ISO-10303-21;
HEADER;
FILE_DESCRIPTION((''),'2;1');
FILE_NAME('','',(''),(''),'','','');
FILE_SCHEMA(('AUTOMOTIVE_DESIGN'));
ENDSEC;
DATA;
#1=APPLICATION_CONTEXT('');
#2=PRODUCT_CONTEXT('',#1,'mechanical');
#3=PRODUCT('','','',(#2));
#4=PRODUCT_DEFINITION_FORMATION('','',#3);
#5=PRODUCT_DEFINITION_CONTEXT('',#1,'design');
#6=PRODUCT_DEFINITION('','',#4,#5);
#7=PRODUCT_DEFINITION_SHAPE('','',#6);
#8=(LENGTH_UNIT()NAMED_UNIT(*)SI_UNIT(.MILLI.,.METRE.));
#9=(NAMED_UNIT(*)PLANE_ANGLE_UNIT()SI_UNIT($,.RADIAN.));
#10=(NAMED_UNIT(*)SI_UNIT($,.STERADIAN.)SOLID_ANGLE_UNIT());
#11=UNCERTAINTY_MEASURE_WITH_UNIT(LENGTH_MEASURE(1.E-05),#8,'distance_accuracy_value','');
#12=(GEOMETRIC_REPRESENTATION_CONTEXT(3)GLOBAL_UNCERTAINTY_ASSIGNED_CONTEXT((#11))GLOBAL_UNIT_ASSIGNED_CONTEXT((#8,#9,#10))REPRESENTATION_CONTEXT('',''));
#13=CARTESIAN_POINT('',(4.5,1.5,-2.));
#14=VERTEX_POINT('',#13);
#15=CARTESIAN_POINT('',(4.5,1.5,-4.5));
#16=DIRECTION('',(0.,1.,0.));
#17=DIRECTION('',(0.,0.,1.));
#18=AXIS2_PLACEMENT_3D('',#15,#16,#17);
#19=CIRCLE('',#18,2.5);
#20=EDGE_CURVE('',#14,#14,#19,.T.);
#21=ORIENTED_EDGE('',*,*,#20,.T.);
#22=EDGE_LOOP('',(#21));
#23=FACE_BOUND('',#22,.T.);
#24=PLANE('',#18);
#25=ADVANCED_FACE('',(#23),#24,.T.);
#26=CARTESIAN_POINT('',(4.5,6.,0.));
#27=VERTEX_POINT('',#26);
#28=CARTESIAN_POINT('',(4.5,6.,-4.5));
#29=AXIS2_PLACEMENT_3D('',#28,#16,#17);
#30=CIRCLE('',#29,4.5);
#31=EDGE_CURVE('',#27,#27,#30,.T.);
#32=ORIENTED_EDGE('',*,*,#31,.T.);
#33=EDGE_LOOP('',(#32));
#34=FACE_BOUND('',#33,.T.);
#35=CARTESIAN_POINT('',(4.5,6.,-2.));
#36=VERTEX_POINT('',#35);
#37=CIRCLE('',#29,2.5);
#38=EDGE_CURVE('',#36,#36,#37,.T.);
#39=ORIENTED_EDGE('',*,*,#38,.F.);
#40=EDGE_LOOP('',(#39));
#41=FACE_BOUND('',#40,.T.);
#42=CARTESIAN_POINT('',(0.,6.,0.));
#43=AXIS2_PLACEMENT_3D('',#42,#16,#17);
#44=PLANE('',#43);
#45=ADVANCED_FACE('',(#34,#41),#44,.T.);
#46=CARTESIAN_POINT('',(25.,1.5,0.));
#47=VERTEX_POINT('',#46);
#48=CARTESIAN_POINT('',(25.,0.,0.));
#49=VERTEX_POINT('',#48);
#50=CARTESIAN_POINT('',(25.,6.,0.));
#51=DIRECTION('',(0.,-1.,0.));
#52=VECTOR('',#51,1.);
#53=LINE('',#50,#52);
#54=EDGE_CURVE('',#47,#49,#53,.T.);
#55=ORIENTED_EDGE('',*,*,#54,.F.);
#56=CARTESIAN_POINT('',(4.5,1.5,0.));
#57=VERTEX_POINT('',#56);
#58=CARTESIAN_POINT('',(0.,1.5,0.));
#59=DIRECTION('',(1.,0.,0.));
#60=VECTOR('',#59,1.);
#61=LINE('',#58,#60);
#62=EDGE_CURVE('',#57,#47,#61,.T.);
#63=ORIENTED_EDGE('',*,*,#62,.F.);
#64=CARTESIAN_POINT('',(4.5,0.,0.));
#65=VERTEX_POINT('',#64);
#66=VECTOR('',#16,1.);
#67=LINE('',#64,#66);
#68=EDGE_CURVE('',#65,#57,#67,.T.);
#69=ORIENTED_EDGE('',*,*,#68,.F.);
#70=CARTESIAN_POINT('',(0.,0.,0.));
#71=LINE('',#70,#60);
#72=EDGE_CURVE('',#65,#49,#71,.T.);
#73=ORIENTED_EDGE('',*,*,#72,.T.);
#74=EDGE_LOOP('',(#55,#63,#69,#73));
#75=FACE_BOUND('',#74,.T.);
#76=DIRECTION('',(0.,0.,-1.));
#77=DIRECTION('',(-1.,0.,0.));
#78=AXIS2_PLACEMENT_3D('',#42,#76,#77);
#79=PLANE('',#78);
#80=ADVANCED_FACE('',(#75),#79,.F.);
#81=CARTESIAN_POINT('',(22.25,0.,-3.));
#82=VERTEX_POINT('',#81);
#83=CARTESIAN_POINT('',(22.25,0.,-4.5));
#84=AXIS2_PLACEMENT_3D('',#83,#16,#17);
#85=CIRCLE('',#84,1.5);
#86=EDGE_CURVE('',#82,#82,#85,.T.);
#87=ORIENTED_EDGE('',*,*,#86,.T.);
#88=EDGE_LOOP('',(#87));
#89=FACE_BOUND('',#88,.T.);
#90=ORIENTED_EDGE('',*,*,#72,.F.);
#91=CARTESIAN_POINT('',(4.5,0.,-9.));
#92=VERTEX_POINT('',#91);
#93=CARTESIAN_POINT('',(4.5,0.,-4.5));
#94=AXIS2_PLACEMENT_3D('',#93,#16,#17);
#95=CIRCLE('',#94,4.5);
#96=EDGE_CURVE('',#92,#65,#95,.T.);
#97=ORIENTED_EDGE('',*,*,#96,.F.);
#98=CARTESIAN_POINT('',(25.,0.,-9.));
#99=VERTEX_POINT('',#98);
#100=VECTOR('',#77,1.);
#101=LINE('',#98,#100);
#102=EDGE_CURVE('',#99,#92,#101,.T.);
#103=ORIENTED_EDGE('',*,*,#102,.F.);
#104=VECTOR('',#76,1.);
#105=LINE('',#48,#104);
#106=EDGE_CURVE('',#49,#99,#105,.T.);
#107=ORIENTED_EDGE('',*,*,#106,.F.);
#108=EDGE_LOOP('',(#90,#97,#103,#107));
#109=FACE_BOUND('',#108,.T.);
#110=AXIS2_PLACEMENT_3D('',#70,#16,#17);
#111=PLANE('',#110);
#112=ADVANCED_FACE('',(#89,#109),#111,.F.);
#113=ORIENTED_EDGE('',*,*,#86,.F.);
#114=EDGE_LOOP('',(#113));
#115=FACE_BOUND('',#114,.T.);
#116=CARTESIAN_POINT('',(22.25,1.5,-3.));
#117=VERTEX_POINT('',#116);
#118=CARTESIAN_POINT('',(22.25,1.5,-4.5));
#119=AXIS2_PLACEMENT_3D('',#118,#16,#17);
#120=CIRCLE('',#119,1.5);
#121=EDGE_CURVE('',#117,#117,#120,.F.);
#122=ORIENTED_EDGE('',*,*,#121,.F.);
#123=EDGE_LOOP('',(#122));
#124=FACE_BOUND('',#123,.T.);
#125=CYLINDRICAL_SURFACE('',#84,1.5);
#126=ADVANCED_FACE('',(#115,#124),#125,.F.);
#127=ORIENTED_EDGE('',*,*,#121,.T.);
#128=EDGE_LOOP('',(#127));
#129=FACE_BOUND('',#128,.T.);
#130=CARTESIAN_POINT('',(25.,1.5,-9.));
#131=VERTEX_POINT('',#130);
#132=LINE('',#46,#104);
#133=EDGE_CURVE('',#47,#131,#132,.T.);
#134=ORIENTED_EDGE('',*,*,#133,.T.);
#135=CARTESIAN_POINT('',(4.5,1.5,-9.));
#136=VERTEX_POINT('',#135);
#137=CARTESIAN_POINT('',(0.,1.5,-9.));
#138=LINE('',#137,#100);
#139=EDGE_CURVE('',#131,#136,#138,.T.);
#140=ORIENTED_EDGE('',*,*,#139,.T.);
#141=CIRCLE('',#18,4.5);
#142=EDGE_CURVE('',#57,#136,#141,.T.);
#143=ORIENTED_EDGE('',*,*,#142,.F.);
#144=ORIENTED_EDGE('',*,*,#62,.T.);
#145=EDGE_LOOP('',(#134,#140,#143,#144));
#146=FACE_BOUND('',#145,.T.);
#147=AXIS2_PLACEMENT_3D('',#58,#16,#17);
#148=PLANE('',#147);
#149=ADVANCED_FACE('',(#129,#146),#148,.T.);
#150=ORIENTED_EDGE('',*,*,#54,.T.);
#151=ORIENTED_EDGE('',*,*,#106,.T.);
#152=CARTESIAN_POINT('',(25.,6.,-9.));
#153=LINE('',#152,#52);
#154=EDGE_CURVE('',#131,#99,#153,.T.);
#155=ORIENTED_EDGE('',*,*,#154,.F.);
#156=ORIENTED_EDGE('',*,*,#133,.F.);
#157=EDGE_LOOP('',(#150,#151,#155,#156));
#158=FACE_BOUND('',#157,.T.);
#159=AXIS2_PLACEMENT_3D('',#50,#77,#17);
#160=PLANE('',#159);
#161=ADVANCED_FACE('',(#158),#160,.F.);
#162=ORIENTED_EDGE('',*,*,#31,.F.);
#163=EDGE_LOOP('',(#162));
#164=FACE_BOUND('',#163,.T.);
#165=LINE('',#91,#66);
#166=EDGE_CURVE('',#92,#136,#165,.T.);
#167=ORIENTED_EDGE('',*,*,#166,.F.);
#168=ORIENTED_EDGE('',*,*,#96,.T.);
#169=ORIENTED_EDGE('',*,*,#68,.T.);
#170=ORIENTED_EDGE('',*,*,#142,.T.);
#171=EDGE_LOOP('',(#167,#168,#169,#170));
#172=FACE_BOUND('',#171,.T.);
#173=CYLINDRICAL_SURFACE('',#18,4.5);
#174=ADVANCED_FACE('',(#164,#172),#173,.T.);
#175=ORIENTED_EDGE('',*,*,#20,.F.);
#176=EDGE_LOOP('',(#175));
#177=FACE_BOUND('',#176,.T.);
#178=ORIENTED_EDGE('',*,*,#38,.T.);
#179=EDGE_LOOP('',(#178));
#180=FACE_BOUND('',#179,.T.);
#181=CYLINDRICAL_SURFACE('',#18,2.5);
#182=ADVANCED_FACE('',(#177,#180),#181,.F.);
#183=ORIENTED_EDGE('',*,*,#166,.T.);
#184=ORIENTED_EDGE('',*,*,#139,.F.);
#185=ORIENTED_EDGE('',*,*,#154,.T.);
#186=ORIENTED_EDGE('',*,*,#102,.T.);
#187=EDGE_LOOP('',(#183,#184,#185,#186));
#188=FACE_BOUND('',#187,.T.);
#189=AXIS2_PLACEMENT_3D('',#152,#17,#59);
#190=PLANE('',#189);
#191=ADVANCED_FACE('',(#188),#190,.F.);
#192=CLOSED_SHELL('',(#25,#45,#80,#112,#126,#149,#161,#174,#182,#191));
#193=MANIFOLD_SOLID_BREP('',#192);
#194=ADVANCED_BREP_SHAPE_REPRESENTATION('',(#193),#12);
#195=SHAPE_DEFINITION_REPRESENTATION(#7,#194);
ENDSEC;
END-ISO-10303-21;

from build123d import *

# Parameters (mm, degrees)
SKETCH2_W               = 25
SKETCH2_H               = 9
BOSS_EXTRUDE3_DEPTH     = 6
SKETCH3_R               = 2.5
CUT_EXTRUDE1_DEPTH      = 4.5
CUT_EXTRUDE2_DEPTH      = 28.239676944
CUT_EXTRUDE2_DEPTH_BACK = 28.239676944
SKETCH4_R               = 1.5
SKETCH5_R               = 1.5
CUT_EXTRUDE3_DEPTH      = 4.5
CUT_EXTRUDE4_DEPTH      = 28.239676944


with BuildPart() as part:
    # Sketch2 → Boss-Extrude3 (new body)
    with BuildSketch(Plane(origin=(0, 0, 0), x_dir=(1, 0, 0), z_dir=(0, 1, 0))):
        with Locations((12.5, 4.5)):
            Rectangle(SKETCH2_W, SKETCH2_H)
    extrude(amount=BOSS_EXTRUDE3_DEPTH)

    # Sketch3 → Cut-Extrude1 (cut)
    with BuildSketch(Plane(origin=(0, 6, 0), x_dir=(1, 0, 0), z_dir=(0, 1, 0))):
        with Locations(Location((4.5, 4.5, 0), (0, 0, 270))):
            Circle(SKETCH3_R)
    extrude(amount=-CUT_EXTRUDE1_DEPTH, mode=Mode.SUBTRACT)

    # Sketch4 → Cut-Extrude2 (cut, two sides: drawn at the far end of the back side and taken through both)
    with BuildSketch(Plane(origin=(0, 6, 0), x_dir=(1, 0, 0), z_dir=(0, 1, 0)).offset(-CUT_EXTRUDE2_DEPTH_BACK)):
        with Locations(Location((22.25, 4.5, 0), (0, 0, 270))):
            Circle(SKETCH4_R)
    extrude(amount=CUT_EXTRUDE2_DEPTH + CUT_EXTRUDE2_DEPTH_BACK, mode=Mode.SUBTRACT)

    # Sketch5 → Cut-Extrude3 (cut)
    with BuildSketch(Plane(origin=(0, 6, 0), x_dir=(1, 0, 0), z_dir=(0, 1, 0))):
        with BuildLine():
            Line((25, 9), (4.5, 9))
            ThreePointArc((4.5, 9), (7.681980515, 7.681980515), (9, 4.5))
            ThreePointArc((9, 4.5), (7.681980515, 1.318019485), (4.5, 0))
            Line((4.5, 0), (25, 0))
            Line((25, 0), (25, 9))
        make_face()
        with Locations(Location((22.25, 4.5, 0), (0, 0, 270))):
            Circle(SKETCH5_R, mode=Mode.SUBTRACT)
    extrude(amount=-CUT_EXTRUDE3_DEPTH, mode=Mode.SUBTRACT)

    # Sketch6 → Cut-Extrude4 (cut, through all)
    with BuildSketch(Plane(origin=(0, 6, 0), x_dir=(1, 0, 0), z_dir=(0, 1, 0))):
        with BuildLine():
            ThreePointArc((0, 4.5), (1.318019485, 7.681980515), (4.5, 9))
            Line((4.5, 9), (0, 9))
            Line((0, 9), (0, 4.5))
        make_face()
        with BuildLine():
            ThreePointArc((4.5, 0), (1.318019485, 1.318019485), (0, 4.5))
            Line((0, 4.5), (0, 0))
            Line((0, 0), (4.5, 0))
        make_face()
    extrude(amount=-CUT_EXTRUDE4_DEPTH, mode=Mode.SUBTRACT)


solid = part.part
